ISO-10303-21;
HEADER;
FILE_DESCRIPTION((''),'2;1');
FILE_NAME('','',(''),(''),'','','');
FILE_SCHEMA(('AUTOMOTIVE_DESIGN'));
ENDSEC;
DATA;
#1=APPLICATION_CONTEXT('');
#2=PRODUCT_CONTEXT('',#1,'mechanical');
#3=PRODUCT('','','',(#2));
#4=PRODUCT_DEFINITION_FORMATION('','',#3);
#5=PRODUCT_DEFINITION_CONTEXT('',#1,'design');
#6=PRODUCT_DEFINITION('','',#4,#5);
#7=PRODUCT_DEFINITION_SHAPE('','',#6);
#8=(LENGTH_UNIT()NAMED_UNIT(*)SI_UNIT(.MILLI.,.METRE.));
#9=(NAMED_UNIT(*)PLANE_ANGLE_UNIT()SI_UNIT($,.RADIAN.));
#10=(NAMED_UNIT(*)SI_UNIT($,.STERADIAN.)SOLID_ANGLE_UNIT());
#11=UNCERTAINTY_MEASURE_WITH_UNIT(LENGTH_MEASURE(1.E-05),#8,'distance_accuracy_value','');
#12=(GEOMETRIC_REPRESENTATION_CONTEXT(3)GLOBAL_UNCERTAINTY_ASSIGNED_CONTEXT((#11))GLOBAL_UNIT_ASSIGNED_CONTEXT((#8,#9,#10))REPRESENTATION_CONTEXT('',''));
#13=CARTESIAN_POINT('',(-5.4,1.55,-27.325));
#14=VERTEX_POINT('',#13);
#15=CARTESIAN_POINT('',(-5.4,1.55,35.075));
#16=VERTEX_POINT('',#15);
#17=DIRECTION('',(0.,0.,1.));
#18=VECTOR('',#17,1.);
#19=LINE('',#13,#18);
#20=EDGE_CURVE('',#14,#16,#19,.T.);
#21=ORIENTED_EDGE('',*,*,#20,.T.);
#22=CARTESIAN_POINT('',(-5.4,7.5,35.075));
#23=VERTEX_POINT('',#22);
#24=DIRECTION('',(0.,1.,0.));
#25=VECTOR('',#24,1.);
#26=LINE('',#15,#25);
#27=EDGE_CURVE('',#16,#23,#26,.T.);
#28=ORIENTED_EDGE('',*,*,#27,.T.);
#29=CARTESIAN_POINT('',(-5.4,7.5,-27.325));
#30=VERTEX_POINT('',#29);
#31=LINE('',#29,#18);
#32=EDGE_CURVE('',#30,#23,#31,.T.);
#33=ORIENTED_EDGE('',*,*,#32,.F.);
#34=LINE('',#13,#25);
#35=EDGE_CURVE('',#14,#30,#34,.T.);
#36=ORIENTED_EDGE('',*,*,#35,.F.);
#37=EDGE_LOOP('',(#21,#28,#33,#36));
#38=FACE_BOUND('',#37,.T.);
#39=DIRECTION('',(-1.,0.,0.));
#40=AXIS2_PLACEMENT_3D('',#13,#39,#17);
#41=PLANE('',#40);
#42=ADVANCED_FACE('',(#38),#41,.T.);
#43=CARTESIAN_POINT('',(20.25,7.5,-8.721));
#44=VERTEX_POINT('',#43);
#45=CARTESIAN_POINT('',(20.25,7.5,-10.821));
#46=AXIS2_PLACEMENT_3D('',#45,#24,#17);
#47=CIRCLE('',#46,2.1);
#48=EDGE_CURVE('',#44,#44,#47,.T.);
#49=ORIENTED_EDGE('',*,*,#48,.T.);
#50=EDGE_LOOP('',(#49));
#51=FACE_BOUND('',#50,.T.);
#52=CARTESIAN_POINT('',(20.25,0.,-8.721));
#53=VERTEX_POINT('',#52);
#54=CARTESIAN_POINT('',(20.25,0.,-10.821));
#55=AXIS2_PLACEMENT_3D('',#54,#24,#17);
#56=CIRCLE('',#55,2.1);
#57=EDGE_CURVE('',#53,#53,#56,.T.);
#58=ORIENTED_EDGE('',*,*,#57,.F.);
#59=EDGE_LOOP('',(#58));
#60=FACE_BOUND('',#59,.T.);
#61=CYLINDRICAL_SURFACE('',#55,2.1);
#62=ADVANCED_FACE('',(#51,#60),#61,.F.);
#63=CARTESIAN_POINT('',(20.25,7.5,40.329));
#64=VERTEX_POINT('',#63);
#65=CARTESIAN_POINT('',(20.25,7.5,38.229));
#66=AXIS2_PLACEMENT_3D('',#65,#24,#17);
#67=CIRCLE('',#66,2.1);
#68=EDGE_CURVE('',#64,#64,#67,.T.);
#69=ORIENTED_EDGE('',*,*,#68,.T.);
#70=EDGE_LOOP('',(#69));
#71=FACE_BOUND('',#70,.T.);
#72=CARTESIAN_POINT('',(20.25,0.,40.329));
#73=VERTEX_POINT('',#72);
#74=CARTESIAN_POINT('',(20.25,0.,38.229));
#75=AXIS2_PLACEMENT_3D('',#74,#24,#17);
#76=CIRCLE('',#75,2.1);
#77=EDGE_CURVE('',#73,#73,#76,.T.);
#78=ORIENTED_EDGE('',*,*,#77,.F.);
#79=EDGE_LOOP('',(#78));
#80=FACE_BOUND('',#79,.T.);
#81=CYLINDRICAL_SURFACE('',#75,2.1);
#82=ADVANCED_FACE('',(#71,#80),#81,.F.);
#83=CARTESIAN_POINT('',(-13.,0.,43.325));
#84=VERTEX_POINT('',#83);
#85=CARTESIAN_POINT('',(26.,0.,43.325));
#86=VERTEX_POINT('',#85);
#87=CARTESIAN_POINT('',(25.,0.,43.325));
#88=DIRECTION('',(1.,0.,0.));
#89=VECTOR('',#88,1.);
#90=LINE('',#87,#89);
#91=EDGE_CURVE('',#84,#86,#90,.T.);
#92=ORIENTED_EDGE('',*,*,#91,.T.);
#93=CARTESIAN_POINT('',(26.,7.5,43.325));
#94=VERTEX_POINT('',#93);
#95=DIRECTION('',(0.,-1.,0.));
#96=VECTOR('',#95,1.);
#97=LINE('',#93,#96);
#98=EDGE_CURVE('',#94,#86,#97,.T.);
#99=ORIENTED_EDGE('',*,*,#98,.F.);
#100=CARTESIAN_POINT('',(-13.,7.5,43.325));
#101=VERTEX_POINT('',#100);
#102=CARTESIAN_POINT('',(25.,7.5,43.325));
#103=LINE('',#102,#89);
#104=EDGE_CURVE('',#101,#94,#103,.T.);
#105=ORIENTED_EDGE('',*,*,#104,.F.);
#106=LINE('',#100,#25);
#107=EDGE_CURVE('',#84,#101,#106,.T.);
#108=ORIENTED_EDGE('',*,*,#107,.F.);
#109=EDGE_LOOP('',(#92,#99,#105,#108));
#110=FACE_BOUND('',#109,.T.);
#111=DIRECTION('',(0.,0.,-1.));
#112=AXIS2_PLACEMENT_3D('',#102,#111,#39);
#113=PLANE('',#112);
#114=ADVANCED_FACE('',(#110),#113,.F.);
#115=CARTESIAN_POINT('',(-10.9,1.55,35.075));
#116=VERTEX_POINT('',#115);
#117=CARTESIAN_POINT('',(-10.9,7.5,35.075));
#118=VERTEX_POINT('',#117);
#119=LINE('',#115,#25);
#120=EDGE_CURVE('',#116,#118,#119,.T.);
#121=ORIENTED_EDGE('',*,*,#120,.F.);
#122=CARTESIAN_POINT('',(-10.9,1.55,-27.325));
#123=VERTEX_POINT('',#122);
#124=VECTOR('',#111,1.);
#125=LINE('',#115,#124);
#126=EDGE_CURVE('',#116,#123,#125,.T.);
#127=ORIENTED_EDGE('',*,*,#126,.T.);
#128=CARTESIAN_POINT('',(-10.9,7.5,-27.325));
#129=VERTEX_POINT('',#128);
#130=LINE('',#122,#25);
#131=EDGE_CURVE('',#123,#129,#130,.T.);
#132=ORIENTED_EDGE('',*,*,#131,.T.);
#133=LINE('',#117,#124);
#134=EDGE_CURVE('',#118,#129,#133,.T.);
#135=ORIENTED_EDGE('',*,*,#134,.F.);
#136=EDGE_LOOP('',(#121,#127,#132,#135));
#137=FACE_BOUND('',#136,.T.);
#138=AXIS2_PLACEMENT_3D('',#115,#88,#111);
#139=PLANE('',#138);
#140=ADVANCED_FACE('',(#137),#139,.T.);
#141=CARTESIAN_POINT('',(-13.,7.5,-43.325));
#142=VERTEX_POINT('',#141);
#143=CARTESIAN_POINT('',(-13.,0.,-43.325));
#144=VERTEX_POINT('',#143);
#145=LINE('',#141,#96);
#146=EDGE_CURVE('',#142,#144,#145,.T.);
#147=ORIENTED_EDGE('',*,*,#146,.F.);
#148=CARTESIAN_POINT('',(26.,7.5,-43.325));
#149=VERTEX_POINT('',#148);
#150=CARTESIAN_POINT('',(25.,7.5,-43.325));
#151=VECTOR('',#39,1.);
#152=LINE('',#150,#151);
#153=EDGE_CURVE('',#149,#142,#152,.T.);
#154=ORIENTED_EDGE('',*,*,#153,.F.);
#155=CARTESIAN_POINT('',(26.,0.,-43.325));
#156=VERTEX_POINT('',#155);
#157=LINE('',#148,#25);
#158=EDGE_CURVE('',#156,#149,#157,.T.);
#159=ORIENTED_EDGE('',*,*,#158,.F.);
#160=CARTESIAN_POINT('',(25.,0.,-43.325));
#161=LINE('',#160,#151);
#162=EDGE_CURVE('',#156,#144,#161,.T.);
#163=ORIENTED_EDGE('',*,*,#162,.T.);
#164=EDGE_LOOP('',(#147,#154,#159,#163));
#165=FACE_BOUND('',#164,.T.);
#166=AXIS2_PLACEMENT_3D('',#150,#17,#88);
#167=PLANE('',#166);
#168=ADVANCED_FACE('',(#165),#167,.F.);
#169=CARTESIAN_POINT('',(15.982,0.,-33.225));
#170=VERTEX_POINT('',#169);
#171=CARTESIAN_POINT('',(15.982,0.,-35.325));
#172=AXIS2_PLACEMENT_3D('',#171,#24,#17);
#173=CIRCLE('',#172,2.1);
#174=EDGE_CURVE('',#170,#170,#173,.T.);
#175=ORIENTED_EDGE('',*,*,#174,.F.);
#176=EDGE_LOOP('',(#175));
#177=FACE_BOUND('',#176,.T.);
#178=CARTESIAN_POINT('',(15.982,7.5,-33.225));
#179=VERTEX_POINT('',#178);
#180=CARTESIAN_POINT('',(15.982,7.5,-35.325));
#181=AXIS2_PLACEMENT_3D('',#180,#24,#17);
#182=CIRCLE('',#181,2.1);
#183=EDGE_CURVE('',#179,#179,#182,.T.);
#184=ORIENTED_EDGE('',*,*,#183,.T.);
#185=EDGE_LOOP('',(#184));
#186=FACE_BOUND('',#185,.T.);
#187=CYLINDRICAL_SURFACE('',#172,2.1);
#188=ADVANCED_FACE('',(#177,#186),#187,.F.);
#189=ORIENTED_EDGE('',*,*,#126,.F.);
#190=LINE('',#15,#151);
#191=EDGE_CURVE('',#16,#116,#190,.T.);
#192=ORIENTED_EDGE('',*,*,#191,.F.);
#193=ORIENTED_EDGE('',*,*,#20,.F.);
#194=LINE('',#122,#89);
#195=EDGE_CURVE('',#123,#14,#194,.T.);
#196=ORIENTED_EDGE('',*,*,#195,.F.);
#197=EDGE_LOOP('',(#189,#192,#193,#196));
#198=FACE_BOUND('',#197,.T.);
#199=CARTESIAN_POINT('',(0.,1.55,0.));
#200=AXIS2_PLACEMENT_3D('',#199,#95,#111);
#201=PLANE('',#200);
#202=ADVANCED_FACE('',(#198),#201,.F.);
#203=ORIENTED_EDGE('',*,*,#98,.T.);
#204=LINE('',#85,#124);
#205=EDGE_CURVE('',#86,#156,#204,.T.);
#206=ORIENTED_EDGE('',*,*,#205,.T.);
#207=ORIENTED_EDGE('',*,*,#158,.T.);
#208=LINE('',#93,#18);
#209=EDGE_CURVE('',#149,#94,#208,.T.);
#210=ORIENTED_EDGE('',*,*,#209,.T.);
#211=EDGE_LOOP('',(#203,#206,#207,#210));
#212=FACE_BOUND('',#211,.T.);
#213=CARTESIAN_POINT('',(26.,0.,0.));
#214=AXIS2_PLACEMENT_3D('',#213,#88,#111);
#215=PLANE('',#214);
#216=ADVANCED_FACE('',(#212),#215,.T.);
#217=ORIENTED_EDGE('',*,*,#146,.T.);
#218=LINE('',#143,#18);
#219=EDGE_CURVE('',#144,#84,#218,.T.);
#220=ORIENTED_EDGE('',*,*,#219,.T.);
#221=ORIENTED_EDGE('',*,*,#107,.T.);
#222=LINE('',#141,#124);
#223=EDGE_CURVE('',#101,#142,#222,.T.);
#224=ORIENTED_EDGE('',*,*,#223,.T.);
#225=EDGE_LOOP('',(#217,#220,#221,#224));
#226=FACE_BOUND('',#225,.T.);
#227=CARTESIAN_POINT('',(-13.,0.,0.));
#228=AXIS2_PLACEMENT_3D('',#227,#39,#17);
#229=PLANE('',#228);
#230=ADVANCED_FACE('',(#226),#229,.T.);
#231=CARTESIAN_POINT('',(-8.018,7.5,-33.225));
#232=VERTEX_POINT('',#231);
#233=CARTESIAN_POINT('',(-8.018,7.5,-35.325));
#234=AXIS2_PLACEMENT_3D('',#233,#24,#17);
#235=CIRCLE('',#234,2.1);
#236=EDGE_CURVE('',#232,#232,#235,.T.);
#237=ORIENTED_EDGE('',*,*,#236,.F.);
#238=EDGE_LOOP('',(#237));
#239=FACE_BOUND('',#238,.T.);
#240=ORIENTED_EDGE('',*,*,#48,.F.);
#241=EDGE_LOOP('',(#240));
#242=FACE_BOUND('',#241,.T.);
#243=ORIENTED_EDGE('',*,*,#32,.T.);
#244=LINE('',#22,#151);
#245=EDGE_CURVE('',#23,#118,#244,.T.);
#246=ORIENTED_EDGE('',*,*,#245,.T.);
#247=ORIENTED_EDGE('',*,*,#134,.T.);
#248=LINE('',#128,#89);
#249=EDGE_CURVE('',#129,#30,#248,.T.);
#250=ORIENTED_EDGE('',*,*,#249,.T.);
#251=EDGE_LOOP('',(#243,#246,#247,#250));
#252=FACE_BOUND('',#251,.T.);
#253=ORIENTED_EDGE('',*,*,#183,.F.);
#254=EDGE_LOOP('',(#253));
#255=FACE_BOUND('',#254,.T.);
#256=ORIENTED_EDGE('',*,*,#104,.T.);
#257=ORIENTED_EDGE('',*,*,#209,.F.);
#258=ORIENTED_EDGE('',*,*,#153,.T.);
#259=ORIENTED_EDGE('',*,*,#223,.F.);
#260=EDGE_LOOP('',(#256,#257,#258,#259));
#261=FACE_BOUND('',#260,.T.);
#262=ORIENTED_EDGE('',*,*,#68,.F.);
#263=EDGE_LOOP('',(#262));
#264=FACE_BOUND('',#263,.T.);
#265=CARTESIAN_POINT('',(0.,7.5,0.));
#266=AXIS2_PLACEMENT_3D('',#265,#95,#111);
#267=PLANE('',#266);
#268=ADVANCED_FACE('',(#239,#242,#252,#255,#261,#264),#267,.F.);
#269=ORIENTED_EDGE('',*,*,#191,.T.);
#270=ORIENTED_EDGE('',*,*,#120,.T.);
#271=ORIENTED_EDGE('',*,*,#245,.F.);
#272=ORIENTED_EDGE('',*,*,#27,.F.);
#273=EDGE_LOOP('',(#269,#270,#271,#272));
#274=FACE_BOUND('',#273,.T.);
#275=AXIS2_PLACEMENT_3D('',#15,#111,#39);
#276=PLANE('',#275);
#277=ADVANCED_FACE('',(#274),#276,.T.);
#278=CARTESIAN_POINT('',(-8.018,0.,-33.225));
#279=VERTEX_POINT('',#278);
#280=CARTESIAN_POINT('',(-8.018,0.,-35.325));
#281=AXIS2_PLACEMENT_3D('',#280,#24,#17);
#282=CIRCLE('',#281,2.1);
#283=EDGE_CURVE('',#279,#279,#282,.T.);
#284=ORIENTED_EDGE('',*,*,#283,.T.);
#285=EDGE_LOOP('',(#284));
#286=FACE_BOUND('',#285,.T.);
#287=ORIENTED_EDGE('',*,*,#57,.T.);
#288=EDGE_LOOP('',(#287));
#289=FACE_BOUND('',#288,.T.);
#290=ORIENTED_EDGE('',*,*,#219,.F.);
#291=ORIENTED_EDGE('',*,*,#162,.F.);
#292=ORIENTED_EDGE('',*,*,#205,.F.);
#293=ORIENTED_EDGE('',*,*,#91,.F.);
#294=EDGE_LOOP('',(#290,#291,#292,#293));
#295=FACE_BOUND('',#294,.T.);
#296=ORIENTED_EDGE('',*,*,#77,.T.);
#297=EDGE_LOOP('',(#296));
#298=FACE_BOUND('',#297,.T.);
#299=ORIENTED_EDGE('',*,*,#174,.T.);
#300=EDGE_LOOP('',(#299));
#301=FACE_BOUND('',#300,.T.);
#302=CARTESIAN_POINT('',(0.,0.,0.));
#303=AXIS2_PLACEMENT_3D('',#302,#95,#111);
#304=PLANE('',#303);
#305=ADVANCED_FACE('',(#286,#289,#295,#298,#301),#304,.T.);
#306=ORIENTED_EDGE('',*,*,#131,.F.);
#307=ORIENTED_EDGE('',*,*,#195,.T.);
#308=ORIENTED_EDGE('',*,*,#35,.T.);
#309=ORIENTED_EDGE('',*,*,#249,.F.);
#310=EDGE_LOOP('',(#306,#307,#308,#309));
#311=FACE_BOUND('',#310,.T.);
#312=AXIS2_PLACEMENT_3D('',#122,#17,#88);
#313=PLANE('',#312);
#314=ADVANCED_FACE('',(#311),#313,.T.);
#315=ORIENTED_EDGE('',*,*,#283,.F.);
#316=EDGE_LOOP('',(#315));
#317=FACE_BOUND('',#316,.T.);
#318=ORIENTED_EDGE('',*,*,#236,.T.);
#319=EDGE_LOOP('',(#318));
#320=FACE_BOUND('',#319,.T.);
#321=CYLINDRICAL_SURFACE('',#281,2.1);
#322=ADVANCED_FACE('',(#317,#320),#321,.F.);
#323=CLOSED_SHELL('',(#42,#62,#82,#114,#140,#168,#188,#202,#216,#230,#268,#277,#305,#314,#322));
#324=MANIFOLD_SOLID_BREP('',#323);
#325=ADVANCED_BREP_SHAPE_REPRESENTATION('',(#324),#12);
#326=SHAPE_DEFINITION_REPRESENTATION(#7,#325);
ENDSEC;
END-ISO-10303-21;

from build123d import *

# Parameters (mm, degrees)
SKETCH1_W           = 50
SKETCH1_H           = 86.65
BOSS_EXTRUDE1_DEPTH = 7.5
SKETCH7_W           = 5.5
SKETCH7_H           = 62.4
CUT_EXTRUDE5_DEPTH  = 5.95
SKETCH11_R          = 2.1
CUT_EXTRUDE8_DEPTH  = 8.5
SKETCH12_R          = 2.1
CUT_EXTRUDE10_DEPTH = 8.5
SKETCH13_W          = 86.65
SKETCH13_H          = 7.5
BOSS_EXTRUDE2_DEPTH = 1
SKETCH14_W          = 86.65
SKETCH14_H          = 7.5
CUT_EXTRUDE11_DEPTH = 12


with BuildPart() as part:
    # Sketch1 → Boss-Extrude1 (new body)
    with BuildSketch(Plane(origin=(0, 0, 0), x_dir=(1, 0, 0), z_dir=(0, 1, 0))):
        Rectangle(SKETCH1_W, SKETCH1_H)
    extrude(amount=BOSS_EXTRUDE1_DEPTH)

    # Sketch7 → Cut-Extrude5 (cut)
    with BuildSketch(Plane(origin=(0, 7.5, 0), x_dir=(1, 0, 0), z_dir=(0, 1, 0))):
        with Locations((-8.15, -3.875)):
            Rectangle(SKETCH7_W, SKETCH7_H)
    extrude(amount=-CUT_EXTRUDE5_DEPTH, mode=Mode.SUBTRACT)

    # Sketch11 → Cut-Extrude8 (cut, through all)
    with BuildSketch(Plane(origin=(0, 7.5, 0), x_dir=(1, 0, 0), z_dir=(0, 1, 0))):
        with Locations((15.982, 35.325)):
            Circle(SKETCH11_R)
        with Locations((-8.018, 35.325)):
            Circle(SKETCH11_R)
    extrude(amount=-CUT_EXTRUDE8_DEPTH, mode=Mode.SUBTRACT)

    # Sketch12 → Cut-Extrude10 (cut, through all)
    with BuildSketch(Plane(origin=(0, 7.5, 0), x_dir=(1, 0, 0), z_dir=(0, 1, 0))):
        with Locations((20.25, 10.821)):
            Circle(SKETCH12_R)
        with Locations((20.25, -38.229)):
            Circle(SKETCH12_R)
    extrude(amount=-CUT_EXTRUDE10_DEPTH, mode=Mode.SUBTRACT)

    # Sketch13 → Boss-Extrude2 (add)
    with BuildSketch(Plane(origin=(25, 0, 0), x_dir=(0, 0, -1), z_dir=(1, 0, 0))):
        with Locations((0, 3.75)):
            Rectangle(SKETCH13_W, SKETCH13_H)
    extrude(amount=BOSS_EXTRUDE2_DEPTH)

    # Sketch14 → Cut-Extrude11 (cut)
    with BuildSketch(Plane.ZY.offset(25)):
        with Locations((0, 3.75)):
            Rectangle(SKETCH14_W, SKETCH14_H)
    extrude(amount=-CUT_EXTRUDE11_DEPTH, mode=Mode.SUBTRACT)


solid = part.part
